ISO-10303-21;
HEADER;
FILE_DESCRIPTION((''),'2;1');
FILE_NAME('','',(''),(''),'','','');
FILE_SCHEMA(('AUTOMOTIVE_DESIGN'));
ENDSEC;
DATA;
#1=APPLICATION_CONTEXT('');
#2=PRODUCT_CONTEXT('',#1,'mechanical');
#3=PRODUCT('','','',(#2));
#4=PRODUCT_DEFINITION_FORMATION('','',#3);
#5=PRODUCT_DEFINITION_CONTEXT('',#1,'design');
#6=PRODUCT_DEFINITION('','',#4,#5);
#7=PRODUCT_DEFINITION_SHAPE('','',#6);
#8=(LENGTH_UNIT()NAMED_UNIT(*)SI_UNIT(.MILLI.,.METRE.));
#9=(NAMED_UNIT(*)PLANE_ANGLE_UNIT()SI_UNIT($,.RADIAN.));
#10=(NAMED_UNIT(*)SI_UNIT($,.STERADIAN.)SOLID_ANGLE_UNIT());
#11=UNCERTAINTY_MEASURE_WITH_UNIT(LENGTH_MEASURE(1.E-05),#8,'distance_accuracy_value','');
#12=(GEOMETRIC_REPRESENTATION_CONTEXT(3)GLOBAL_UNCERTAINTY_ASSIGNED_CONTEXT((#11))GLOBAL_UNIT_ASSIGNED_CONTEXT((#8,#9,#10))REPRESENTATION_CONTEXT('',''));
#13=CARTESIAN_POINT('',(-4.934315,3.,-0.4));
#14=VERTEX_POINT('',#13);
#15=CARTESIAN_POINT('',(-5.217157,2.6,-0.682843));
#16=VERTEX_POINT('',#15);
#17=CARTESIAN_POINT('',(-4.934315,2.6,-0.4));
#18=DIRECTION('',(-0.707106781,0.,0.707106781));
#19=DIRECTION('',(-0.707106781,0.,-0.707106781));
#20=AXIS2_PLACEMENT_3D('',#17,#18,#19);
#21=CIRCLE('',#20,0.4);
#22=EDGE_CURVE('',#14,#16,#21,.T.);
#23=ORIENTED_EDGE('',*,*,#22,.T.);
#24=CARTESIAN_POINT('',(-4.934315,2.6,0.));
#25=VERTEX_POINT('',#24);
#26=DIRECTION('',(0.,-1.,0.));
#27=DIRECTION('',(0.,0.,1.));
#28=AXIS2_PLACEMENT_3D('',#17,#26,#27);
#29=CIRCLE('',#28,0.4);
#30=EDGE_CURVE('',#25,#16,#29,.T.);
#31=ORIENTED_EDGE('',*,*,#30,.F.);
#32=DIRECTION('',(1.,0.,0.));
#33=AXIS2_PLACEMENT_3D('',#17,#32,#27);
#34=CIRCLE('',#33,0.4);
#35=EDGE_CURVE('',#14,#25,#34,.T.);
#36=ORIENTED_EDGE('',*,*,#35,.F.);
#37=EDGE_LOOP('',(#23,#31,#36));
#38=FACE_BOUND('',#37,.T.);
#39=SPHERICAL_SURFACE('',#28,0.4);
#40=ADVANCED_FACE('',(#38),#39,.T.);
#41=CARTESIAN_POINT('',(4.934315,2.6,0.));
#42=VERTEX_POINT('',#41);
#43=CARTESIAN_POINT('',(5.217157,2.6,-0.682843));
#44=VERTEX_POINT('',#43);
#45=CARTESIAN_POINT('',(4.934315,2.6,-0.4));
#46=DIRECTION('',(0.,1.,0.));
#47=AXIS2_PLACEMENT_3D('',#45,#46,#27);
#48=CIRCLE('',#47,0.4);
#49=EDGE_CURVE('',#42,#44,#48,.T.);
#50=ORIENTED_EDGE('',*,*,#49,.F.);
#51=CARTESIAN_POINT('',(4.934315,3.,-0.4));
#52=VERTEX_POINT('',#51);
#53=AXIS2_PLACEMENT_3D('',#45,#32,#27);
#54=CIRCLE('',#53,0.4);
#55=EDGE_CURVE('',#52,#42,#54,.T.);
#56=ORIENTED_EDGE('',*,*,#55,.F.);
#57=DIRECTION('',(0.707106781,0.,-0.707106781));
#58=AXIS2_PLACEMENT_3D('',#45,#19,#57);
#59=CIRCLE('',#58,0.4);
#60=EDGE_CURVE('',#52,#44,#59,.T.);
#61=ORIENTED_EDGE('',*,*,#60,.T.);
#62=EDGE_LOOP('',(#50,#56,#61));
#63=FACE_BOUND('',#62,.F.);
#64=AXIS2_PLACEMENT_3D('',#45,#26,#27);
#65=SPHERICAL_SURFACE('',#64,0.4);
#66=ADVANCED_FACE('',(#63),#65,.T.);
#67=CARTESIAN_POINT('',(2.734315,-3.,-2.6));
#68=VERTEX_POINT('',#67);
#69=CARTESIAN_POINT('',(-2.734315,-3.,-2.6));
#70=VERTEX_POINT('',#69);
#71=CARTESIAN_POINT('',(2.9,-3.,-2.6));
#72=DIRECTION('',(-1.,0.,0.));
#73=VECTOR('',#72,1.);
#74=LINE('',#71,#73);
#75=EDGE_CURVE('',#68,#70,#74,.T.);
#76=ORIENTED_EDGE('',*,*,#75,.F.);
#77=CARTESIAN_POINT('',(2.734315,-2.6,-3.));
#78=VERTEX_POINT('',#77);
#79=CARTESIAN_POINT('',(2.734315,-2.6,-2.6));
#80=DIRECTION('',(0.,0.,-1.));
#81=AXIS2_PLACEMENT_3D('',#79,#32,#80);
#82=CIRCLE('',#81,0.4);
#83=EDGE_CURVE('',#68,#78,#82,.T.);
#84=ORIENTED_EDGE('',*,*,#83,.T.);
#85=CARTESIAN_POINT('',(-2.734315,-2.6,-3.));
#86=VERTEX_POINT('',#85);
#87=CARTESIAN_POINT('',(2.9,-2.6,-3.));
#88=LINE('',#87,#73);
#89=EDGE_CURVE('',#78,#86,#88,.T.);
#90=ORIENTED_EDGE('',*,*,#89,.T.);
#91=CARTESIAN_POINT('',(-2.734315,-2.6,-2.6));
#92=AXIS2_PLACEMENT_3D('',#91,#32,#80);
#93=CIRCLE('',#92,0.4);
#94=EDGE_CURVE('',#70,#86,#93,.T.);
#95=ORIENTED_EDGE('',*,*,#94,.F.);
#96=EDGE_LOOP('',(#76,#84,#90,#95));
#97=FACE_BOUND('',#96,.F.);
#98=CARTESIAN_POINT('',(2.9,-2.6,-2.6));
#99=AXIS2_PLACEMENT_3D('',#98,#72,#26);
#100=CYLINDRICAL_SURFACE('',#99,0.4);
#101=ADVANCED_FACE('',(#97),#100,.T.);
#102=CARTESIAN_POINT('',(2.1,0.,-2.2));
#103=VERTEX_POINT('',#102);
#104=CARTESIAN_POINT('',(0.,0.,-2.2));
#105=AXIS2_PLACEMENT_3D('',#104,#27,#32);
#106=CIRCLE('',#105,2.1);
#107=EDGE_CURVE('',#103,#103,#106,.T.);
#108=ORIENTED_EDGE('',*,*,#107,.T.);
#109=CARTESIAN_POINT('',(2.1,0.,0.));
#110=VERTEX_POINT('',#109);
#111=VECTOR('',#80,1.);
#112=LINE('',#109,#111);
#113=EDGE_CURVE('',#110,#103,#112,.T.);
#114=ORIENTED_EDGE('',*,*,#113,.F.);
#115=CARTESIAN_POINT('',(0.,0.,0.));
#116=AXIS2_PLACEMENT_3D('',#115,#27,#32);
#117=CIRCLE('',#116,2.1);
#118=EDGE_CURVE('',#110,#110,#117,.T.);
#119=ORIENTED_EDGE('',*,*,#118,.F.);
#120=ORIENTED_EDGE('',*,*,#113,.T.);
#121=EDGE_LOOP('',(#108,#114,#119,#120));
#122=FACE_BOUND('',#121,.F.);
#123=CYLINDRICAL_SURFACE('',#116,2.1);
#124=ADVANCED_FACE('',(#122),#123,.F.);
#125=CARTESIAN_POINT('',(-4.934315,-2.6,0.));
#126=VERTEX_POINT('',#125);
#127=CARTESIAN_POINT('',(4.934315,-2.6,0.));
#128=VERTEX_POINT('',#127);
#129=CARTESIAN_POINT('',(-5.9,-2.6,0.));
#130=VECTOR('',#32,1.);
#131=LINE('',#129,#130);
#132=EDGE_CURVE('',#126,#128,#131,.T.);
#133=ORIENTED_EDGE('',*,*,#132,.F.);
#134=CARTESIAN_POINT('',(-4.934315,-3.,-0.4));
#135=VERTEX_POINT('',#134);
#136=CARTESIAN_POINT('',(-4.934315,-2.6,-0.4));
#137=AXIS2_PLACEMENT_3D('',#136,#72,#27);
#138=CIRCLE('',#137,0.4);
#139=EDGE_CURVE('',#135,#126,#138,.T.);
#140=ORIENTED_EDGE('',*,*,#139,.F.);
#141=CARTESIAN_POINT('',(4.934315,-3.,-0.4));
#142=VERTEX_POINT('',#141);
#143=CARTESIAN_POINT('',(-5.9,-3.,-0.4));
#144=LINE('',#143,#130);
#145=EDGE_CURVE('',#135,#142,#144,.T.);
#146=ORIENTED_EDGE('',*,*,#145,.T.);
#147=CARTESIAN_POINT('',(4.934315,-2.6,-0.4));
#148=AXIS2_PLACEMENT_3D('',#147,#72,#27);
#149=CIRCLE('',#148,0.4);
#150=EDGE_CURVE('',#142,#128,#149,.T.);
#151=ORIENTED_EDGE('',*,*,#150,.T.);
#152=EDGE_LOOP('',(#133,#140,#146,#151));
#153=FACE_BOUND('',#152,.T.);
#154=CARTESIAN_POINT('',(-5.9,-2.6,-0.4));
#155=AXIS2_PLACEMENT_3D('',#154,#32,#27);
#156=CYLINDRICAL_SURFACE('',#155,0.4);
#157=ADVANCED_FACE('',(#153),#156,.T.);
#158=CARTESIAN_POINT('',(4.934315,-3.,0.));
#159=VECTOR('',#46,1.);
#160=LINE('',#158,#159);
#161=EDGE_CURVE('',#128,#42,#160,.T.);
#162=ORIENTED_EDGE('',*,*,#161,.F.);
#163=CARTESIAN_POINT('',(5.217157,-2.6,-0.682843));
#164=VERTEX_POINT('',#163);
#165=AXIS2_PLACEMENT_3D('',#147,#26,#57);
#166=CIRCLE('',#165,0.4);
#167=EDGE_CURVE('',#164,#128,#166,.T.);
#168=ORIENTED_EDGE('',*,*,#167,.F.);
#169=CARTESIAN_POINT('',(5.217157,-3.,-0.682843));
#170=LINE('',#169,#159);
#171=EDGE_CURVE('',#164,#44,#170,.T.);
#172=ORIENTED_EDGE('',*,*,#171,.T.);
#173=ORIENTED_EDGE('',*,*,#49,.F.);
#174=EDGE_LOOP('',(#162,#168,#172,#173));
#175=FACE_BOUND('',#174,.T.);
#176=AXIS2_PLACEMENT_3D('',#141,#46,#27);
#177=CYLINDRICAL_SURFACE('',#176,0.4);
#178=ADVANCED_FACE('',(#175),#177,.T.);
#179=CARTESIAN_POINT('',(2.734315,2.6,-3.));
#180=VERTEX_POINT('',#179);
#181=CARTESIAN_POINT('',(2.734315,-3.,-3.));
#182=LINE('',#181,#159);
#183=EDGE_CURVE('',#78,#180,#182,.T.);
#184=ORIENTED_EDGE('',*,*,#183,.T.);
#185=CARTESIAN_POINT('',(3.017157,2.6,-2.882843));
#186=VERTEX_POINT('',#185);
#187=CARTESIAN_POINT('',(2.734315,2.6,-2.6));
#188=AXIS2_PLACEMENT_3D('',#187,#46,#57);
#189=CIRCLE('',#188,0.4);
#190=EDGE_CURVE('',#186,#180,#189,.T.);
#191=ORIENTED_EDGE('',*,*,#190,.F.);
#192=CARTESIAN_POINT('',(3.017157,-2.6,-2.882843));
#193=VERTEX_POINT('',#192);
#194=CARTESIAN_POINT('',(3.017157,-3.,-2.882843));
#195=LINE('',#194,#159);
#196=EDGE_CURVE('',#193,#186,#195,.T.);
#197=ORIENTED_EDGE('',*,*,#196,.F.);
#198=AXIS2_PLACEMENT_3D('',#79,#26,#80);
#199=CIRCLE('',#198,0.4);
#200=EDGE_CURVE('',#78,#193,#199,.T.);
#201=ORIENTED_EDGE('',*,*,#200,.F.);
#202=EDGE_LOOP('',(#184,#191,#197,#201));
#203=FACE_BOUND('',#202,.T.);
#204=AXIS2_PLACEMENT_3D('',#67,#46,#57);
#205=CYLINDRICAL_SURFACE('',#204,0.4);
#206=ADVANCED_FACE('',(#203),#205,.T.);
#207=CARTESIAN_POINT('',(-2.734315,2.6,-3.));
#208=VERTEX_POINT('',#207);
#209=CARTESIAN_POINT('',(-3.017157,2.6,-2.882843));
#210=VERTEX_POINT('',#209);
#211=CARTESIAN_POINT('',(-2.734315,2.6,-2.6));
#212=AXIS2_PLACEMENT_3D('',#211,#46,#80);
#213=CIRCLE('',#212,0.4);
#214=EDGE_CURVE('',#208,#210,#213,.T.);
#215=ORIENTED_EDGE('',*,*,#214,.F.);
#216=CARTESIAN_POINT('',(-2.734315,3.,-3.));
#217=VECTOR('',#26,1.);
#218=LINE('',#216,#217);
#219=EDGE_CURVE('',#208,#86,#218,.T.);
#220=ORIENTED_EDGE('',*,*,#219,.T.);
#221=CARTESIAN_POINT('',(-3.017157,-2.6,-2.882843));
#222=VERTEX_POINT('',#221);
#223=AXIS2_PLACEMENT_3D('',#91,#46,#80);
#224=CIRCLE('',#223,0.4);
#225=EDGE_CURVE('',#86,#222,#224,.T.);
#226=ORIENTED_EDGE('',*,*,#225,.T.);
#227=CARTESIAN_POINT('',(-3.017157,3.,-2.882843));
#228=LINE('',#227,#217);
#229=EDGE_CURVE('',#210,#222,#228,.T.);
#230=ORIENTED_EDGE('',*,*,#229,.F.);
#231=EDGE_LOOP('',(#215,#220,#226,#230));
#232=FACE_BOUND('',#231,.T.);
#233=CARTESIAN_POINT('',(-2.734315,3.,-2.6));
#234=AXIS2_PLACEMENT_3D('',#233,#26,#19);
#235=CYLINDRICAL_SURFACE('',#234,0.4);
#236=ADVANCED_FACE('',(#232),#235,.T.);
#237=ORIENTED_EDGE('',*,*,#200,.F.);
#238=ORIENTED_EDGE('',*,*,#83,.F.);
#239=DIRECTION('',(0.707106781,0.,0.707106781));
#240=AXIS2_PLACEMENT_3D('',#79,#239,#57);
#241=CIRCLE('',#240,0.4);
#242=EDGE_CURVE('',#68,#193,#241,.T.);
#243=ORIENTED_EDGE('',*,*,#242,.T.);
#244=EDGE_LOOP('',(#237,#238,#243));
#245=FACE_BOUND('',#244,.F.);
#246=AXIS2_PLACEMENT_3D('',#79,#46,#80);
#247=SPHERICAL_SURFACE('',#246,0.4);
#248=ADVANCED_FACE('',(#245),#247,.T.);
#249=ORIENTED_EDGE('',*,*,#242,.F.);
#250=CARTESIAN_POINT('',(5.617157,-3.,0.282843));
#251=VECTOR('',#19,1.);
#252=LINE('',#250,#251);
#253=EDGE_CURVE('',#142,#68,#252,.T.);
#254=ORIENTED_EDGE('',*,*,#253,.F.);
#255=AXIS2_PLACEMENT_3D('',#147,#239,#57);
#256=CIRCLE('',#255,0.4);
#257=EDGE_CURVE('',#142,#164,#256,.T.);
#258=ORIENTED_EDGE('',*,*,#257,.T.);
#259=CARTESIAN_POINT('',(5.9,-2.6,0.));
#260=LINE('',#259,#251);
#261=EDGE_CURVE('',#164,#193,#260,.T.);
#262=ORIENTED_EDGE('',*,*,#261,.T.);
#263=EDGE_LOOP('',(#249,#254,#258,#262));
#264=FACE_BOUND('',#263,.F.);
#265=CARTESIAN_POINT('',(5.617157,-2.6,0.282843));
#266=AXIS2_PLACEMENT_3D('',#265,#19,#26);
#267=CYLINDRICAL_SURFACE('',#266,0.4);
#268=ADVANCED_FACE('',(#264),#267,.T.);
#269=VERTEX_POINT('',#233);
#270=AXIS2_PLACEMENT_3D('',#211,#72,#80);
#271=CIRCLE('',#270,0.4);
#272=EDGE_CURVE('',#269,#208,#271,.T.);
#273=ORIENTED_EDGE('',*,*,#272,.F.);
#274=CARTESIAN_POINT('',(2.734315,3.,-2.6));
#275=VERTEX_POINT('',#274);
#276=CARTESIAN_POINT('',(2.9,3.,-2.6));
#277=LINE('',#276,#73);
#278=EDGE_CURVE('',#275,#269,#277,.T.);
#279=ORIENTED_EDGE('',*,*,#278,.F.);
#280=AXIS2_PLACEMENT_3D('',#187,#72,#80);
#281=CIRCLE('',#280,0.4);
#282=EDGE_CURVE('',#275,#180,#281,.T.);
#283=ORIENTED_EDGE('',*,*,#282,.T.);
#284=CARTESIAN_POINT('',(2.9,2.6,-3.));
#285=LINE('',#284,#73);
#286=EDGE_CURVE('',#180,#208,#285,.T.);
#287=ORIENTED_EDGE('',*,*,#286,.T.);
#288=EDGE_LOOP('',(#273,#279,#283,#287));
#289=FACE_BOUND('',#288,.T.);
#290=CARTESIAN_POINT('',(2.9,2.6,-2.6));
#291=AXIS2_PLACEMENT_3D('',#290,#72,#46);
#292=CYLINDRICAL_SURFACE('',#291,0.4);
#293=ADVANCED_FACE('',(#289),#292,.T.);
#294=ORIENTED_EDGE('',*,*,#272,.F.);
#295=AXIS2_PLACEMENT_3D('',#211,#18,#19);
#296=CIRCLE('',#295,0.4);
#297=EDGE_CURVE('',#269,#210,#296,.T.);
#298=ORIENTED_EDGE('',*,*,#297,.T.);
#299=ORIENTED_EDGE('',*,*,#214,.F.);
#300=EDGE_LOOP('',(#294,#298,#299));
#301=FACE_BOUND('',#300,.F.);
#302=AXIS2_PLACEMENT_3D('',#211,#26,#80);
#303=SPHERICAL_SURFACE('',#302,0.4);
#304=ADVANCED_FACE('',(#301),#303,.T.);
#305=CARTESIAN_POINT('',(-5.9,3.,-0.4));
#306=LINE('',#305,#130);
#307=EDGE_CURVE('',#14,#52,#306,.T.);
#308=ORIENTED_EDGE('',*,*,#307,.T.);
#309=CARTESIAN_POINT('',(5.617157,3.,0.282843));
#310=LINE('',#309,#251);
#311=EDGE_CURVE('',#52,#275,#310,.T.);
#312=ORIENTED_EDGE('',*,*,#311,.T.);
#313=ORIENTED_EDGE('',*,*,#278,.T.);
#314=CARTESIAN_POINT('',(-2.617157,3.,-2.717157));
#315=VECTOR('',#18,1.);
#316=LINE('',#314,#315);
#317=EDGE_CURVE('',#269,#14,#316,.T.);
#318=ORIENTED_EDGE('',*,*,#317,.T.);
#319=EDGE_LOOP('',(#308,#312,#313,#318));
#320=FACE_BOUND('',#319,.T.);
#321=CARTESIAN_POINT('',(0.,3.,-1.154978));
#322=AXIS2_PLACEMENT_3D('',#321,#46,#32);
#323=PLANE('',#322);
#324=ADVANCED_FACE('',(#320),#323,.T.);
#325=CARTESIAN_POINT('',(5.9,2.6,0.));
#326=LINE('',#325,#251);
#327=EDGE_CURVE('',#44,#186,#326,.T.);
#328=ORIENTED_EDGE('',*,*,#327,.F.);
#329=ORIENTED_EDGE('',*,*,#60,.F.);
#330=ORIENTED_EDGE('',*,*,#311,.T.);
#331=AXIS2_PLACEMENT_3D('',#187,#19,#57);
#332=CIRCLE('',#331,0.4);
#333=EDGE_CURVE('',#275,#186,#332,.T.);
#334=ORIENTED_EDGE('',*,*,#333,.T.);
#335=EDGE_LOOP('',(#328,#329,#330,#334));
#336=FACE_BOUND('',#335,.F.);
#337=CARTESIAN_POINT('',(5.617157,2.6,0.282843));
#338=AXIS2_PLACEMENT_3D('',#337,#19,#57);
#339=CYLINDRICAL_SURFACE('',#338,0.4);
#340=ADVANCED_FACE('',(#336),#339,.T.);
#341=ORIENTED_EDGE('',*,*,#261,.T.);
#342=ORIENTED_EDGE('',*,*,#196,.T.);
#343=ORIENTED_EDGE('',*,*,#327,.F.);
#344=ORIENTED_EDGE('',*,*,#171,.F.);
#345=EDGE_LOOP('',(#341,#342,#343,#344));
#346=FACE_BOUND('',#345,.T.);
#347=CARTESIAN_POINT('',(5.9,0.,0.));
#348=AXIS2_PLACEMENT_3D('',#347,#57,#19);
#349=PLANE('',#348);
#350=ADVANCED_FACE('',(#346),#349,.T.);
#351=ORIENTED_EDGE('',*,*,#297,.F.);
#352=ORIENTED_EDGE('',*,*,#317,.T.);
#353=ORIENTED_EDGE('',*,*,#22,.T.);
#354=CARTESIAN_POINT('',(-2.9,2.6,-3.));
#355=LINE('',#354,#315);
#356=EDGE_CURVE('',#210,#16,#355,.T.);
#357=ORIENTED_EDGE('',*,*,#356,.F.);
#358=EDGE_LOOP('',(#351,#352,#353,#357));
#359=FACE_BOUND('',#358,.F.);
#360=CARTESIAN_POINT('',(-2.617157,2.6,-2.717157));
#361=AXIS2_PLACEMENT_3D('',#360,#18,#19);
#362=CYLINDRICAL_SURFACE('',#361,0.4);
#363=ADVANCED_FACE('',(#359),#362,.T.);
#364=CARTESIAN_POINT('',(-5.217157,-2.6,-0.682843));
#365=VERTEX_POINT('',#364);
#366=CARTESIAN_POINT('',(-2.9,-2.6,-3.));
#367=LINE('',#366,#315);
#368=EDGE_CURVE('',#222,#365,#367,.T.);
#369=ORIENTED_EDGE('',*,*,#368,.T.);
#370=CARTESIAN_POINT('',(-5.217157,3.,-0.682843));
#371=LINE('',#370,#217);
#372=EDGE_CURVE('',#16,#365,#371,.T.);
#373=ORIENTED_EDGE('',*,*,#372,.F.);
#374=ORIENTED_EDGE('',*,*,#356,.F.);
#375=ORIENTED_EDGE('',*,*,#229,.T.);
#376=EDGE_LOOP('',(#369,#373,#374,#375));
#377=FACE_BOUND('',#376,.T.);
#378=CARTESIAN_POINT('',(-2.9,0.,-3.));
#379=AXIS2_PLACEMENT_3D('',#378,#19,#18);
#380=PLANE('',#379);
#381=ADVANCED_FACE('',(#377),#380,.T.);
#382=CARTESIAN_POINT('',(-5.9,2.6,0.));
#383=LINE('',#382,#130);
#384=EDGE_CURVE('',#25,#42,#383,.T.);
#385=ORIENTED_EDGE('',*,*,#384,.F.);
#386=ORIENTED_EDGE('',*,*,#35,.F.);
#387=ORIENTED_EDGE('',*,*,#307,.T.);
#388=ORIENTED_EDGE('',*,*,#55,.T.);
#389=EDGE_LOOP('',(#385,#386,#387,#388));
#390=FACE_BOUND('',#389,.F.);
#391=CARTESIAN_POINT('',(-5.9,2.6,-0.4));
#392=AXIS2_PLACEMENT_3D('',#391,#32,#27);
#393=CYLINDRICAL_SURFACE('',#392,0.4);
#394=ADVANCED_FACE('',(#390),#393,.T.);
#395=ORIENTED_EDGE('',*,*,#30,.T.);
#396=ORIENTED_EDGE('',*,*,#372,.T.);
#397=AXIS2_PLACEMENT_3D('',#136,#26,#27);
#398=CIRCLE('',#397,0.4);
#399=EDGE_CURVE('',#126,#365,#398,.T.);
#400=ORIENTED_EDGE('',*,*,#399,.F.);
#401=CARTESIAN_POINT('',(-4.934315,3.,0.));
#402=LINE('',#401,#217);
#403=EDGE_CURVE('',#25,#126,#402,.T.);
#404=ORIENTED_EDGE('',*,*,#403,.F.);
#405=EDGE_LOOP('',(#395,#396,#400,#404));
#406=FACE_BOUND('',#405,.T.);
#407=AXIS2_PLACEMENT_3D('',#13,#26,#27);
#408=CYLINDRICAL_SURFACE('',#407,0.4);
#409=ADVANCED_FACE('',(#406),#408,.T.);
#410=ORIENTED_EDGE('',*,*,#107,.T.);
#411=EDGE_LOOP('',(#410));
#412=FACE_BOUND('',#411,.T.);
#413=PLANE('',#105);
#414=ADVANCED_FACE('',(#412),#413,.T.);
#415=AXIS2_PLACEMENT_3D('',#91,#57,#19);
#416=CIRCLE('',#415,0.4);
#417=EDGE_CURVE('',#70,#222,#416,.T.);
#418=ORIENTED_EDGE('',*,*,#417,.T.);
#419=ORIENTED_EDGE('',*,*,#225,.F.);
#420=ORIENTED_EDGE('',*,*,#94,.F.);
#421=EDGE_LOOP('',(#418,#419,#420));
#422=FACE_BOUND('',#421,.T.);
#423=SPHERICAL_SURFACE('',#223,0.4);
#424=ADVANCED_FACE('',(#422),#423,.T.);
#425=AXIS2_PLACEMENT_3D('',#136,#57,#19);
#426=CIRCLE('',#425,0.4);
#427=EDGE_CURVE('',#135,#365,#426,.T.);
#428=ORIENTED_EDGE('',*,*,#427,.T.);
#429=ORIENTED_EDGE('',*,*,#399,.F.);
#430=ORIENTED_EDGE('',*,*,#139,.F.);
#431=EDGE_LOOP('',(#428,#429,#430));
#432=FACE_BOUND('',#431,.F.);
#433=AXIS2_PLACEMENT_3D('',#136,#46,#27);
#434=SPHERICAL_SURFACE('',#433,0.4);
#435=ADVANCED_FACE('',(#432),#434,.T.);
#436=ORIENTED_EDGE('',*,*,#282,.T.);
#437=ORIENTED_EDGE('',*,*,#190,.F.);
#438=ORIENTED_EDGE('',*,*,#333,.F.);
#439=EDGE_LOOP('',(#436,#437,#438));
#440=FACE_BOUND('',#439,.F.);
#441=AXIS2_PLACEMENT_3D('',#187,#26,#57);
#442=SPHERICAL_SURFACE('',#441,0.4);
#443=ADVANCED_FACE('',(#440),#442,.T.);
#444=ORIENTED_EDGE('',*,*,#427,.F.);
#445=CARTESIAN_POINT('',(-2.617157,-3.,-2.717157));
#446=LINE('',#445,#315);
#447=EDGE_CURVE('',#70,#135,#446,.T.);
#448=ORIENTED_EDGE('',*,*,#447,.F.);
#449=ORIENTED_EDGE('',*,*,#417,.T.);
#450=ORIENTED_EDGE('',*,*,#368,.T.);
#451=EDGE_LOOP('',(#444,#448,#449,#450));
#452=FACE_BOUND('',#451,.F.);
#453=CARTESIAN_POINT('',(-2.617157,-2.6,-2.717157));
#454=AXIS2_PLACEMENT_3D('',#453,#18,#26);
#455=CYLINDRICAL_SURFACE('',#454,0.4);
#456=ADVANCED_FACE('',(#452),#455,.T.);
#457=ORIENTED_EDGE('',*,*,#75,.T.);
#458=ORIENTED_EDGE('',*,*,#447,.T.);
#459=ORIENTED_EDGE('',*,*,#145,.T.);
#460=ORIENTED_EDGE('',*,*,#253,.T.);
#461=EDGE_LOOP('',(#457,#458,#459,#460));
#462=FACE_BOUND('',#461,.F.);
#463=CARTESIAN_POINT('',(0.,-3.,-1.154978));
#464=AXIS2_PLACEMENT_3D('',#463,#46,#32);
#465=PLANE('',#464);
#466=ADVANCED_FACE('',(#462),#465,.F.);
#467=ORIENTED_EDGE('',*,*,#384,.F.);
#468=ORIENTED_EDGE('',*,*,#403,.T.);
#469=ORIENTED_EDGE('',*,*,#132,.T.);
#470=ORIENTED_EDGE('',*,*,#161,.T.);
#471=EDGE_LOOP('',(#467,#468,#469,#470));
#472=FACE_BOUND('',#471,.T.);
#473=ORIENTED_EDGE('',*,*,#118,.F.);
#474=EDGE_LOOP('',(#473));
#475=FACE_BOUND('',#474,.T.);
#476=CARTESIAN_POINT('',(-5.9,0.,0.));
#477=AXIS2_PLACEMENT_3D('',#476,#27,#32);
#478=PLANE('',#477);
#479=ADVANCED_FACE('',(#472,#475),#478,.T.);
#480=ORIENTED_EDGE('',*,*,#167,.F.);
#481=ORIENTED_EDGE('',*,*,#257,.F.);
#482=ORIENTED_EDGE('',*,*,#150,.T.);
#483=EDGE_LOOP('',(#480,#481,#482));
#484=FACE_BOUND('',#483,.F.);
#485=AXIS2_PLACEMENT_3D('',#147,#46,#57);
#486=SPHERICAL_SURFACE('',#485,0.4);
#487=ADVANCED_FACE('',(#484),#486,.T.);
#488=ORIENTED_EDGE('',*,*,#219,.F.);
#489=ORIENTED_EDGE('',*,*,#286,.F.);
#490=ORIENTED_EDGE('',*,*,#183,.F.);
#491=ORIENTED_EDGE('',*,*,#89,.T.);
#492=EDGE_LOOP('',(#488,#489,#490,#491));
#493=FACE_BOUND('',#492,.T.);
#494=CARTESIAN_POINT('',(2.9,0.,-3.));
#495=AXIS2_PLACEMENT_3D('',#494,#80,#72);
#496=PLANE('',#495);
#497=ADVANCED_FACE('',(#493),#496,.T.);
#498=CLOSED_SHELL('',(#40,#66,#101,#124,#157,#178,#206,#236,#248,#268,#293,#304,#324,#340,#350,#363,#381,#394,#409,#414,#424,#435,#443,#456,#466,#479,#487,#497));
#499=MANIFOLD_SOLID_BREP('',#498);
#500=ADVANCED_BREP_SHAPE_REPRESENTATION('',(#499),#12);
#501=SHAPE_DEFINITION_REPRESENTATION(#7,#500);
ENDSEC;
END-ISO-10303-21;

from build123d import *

# Parameters (mm, degrees)
EXTRUDE_1_DEPTH     = 3
SKETCH_3_R          = 2.1
CUT_EXTRUDE_1_DEPTH = 2.2
FILLET_1_R          = 0.4


with BuildPart() as part:
    # 草图2 → 凸台-拉伸1 (new body, symmetric)
    with BuildSketch(Plane(origin=(0, 0, 0), x_dir=(1, 0, 0), z_dir=(0, 1, 0))):
        Polygon((-5.9, 0), (5.9, 0), (2.9, 3), (-2.9, 3), align=None)
    extrude(amount=EXTRUDE_1_DEPTH, both=True)

    # 草图3 → 切除-拉伸1 (cut)
    with BuildSketch(Plane.XY):
        Circle(SKETCH_3_R)
    extrude(amount=-CUT_EXTRUDE_1_DEPTH, mode=Mode.SUBTRACT)

    # 圆角1
    fillet_1_edges = [part.edges().sort_by_distance(p)[0] for p in [
        (4.4, 3, -1.5),
        (0, 3, -3),
        (-4.4, 3, -1.5),
        (0, -3, -3),
        (4.4, -3, -1.5),
        (0, -3, 0),
        (-4.4, -3, -1.5),
        (-2.9, 0, -3),
        (2.9, 0, -3),
        (5.9, 0, 0),
        (-5.9, 0, 0),
        (0, 3, 0),
    ]]
    fillet(fillet_1_edges, radius=FILLET_1_R)


solid = part.part
